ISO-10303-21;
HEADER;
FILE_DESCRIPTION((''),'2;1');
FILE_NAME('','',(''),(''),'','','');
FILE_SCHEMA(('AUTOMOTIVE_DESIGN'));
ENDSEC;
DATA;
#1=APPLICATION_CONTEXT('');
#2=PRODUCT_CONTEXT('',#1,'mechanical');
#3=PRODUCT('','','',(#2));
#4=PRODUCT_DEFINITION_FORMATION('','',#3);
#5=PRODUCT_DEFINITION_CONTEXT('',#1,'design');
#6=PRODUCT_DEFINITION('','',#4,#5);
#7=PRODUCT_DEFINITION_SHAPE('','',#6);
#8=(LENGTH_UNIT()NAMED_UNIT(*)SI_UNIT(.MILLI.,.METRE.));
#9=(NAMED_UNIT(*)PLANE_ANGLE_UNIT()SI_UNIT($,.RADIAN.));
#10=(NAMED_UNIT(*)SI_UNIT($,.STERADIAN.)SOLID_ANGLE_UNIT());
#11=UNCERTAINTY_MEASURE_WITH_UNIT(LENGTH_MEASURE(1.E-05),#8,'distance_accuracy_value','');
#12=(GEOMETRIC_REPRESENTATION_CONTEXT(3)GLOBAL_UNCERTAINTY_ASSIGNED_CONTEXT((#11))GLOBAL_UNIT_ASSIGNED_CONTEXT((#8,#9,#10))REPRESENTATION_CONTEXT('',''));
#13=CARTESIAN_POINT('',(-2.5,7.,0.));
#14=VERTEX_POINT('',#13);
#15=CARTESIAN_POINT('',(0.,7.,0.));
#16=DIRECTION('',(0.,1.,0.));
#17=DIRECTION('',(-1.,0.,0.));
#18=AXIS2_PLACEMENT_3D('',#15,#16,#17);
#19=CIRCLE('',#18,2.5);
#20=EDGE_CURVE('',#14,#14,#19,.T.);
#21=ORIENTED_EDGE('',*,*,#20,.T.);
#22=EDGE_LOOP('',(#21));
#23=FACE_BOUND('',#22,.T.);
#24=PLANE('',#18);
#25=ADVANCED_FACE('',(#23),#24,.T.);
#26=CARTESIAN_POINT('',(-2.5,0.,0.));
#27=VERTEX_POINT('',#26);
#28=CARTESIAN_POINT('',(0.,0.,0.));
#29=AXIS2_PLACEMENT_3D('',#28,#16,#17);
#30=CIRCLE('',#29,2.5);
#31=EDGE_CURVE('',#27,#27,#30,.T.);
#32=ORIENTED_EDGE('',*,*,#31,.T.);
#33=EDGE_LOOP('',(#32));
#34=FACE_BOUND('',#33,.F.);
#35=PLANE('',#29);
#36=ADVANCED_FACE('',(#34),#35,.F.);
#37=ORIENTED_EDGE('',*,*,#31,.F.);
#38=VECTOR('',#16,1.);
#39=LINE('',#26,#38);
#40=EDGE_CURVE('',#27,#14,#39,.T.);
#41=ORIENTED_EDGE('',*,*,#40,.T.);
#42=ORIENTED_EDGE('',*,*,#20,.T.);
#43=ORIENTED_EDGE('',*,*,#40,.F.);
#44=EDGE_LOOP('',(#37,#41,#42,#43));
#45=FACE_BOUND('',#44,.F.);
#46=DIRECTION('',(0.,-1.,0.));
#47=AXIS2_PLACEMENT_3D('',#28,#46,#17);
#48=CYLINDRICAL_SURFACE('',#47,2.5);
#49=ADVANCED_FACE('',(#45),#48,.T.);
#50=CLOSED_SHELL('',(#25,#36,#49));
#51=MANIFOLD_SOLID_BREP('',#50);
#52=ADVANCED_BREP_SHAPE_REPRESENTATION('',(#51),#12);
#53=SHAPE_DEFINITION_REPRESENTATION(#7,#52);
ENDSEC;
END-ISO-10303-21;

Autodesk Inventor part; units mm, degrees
ref_plane "YZ Plane" through (0, 0, 0) normal (1, 0, 0) x (0, 1, 0)
ref_plane "XZ Plane" through (0, 0, 0) normal (0, 1, 0) x (-1, 0, 0)
ref_plane "XY Plane" through (0, 0, 0) normal (0, 0, 1) x (1, 0, 0)
sketch "Sketch1" plane through (0, 0, 0) normal (0, 1, 0) x (-1, 0, 0)
  circle A0 centre (0, 0) radius 2.5
  dimension "d0" = 5
extrude "Extrusion1" add sketch "Sketch1" along normal blind 7
properties part number "2020-04-02-10-10701-LED_Acryl_Glas" material "Glass"
